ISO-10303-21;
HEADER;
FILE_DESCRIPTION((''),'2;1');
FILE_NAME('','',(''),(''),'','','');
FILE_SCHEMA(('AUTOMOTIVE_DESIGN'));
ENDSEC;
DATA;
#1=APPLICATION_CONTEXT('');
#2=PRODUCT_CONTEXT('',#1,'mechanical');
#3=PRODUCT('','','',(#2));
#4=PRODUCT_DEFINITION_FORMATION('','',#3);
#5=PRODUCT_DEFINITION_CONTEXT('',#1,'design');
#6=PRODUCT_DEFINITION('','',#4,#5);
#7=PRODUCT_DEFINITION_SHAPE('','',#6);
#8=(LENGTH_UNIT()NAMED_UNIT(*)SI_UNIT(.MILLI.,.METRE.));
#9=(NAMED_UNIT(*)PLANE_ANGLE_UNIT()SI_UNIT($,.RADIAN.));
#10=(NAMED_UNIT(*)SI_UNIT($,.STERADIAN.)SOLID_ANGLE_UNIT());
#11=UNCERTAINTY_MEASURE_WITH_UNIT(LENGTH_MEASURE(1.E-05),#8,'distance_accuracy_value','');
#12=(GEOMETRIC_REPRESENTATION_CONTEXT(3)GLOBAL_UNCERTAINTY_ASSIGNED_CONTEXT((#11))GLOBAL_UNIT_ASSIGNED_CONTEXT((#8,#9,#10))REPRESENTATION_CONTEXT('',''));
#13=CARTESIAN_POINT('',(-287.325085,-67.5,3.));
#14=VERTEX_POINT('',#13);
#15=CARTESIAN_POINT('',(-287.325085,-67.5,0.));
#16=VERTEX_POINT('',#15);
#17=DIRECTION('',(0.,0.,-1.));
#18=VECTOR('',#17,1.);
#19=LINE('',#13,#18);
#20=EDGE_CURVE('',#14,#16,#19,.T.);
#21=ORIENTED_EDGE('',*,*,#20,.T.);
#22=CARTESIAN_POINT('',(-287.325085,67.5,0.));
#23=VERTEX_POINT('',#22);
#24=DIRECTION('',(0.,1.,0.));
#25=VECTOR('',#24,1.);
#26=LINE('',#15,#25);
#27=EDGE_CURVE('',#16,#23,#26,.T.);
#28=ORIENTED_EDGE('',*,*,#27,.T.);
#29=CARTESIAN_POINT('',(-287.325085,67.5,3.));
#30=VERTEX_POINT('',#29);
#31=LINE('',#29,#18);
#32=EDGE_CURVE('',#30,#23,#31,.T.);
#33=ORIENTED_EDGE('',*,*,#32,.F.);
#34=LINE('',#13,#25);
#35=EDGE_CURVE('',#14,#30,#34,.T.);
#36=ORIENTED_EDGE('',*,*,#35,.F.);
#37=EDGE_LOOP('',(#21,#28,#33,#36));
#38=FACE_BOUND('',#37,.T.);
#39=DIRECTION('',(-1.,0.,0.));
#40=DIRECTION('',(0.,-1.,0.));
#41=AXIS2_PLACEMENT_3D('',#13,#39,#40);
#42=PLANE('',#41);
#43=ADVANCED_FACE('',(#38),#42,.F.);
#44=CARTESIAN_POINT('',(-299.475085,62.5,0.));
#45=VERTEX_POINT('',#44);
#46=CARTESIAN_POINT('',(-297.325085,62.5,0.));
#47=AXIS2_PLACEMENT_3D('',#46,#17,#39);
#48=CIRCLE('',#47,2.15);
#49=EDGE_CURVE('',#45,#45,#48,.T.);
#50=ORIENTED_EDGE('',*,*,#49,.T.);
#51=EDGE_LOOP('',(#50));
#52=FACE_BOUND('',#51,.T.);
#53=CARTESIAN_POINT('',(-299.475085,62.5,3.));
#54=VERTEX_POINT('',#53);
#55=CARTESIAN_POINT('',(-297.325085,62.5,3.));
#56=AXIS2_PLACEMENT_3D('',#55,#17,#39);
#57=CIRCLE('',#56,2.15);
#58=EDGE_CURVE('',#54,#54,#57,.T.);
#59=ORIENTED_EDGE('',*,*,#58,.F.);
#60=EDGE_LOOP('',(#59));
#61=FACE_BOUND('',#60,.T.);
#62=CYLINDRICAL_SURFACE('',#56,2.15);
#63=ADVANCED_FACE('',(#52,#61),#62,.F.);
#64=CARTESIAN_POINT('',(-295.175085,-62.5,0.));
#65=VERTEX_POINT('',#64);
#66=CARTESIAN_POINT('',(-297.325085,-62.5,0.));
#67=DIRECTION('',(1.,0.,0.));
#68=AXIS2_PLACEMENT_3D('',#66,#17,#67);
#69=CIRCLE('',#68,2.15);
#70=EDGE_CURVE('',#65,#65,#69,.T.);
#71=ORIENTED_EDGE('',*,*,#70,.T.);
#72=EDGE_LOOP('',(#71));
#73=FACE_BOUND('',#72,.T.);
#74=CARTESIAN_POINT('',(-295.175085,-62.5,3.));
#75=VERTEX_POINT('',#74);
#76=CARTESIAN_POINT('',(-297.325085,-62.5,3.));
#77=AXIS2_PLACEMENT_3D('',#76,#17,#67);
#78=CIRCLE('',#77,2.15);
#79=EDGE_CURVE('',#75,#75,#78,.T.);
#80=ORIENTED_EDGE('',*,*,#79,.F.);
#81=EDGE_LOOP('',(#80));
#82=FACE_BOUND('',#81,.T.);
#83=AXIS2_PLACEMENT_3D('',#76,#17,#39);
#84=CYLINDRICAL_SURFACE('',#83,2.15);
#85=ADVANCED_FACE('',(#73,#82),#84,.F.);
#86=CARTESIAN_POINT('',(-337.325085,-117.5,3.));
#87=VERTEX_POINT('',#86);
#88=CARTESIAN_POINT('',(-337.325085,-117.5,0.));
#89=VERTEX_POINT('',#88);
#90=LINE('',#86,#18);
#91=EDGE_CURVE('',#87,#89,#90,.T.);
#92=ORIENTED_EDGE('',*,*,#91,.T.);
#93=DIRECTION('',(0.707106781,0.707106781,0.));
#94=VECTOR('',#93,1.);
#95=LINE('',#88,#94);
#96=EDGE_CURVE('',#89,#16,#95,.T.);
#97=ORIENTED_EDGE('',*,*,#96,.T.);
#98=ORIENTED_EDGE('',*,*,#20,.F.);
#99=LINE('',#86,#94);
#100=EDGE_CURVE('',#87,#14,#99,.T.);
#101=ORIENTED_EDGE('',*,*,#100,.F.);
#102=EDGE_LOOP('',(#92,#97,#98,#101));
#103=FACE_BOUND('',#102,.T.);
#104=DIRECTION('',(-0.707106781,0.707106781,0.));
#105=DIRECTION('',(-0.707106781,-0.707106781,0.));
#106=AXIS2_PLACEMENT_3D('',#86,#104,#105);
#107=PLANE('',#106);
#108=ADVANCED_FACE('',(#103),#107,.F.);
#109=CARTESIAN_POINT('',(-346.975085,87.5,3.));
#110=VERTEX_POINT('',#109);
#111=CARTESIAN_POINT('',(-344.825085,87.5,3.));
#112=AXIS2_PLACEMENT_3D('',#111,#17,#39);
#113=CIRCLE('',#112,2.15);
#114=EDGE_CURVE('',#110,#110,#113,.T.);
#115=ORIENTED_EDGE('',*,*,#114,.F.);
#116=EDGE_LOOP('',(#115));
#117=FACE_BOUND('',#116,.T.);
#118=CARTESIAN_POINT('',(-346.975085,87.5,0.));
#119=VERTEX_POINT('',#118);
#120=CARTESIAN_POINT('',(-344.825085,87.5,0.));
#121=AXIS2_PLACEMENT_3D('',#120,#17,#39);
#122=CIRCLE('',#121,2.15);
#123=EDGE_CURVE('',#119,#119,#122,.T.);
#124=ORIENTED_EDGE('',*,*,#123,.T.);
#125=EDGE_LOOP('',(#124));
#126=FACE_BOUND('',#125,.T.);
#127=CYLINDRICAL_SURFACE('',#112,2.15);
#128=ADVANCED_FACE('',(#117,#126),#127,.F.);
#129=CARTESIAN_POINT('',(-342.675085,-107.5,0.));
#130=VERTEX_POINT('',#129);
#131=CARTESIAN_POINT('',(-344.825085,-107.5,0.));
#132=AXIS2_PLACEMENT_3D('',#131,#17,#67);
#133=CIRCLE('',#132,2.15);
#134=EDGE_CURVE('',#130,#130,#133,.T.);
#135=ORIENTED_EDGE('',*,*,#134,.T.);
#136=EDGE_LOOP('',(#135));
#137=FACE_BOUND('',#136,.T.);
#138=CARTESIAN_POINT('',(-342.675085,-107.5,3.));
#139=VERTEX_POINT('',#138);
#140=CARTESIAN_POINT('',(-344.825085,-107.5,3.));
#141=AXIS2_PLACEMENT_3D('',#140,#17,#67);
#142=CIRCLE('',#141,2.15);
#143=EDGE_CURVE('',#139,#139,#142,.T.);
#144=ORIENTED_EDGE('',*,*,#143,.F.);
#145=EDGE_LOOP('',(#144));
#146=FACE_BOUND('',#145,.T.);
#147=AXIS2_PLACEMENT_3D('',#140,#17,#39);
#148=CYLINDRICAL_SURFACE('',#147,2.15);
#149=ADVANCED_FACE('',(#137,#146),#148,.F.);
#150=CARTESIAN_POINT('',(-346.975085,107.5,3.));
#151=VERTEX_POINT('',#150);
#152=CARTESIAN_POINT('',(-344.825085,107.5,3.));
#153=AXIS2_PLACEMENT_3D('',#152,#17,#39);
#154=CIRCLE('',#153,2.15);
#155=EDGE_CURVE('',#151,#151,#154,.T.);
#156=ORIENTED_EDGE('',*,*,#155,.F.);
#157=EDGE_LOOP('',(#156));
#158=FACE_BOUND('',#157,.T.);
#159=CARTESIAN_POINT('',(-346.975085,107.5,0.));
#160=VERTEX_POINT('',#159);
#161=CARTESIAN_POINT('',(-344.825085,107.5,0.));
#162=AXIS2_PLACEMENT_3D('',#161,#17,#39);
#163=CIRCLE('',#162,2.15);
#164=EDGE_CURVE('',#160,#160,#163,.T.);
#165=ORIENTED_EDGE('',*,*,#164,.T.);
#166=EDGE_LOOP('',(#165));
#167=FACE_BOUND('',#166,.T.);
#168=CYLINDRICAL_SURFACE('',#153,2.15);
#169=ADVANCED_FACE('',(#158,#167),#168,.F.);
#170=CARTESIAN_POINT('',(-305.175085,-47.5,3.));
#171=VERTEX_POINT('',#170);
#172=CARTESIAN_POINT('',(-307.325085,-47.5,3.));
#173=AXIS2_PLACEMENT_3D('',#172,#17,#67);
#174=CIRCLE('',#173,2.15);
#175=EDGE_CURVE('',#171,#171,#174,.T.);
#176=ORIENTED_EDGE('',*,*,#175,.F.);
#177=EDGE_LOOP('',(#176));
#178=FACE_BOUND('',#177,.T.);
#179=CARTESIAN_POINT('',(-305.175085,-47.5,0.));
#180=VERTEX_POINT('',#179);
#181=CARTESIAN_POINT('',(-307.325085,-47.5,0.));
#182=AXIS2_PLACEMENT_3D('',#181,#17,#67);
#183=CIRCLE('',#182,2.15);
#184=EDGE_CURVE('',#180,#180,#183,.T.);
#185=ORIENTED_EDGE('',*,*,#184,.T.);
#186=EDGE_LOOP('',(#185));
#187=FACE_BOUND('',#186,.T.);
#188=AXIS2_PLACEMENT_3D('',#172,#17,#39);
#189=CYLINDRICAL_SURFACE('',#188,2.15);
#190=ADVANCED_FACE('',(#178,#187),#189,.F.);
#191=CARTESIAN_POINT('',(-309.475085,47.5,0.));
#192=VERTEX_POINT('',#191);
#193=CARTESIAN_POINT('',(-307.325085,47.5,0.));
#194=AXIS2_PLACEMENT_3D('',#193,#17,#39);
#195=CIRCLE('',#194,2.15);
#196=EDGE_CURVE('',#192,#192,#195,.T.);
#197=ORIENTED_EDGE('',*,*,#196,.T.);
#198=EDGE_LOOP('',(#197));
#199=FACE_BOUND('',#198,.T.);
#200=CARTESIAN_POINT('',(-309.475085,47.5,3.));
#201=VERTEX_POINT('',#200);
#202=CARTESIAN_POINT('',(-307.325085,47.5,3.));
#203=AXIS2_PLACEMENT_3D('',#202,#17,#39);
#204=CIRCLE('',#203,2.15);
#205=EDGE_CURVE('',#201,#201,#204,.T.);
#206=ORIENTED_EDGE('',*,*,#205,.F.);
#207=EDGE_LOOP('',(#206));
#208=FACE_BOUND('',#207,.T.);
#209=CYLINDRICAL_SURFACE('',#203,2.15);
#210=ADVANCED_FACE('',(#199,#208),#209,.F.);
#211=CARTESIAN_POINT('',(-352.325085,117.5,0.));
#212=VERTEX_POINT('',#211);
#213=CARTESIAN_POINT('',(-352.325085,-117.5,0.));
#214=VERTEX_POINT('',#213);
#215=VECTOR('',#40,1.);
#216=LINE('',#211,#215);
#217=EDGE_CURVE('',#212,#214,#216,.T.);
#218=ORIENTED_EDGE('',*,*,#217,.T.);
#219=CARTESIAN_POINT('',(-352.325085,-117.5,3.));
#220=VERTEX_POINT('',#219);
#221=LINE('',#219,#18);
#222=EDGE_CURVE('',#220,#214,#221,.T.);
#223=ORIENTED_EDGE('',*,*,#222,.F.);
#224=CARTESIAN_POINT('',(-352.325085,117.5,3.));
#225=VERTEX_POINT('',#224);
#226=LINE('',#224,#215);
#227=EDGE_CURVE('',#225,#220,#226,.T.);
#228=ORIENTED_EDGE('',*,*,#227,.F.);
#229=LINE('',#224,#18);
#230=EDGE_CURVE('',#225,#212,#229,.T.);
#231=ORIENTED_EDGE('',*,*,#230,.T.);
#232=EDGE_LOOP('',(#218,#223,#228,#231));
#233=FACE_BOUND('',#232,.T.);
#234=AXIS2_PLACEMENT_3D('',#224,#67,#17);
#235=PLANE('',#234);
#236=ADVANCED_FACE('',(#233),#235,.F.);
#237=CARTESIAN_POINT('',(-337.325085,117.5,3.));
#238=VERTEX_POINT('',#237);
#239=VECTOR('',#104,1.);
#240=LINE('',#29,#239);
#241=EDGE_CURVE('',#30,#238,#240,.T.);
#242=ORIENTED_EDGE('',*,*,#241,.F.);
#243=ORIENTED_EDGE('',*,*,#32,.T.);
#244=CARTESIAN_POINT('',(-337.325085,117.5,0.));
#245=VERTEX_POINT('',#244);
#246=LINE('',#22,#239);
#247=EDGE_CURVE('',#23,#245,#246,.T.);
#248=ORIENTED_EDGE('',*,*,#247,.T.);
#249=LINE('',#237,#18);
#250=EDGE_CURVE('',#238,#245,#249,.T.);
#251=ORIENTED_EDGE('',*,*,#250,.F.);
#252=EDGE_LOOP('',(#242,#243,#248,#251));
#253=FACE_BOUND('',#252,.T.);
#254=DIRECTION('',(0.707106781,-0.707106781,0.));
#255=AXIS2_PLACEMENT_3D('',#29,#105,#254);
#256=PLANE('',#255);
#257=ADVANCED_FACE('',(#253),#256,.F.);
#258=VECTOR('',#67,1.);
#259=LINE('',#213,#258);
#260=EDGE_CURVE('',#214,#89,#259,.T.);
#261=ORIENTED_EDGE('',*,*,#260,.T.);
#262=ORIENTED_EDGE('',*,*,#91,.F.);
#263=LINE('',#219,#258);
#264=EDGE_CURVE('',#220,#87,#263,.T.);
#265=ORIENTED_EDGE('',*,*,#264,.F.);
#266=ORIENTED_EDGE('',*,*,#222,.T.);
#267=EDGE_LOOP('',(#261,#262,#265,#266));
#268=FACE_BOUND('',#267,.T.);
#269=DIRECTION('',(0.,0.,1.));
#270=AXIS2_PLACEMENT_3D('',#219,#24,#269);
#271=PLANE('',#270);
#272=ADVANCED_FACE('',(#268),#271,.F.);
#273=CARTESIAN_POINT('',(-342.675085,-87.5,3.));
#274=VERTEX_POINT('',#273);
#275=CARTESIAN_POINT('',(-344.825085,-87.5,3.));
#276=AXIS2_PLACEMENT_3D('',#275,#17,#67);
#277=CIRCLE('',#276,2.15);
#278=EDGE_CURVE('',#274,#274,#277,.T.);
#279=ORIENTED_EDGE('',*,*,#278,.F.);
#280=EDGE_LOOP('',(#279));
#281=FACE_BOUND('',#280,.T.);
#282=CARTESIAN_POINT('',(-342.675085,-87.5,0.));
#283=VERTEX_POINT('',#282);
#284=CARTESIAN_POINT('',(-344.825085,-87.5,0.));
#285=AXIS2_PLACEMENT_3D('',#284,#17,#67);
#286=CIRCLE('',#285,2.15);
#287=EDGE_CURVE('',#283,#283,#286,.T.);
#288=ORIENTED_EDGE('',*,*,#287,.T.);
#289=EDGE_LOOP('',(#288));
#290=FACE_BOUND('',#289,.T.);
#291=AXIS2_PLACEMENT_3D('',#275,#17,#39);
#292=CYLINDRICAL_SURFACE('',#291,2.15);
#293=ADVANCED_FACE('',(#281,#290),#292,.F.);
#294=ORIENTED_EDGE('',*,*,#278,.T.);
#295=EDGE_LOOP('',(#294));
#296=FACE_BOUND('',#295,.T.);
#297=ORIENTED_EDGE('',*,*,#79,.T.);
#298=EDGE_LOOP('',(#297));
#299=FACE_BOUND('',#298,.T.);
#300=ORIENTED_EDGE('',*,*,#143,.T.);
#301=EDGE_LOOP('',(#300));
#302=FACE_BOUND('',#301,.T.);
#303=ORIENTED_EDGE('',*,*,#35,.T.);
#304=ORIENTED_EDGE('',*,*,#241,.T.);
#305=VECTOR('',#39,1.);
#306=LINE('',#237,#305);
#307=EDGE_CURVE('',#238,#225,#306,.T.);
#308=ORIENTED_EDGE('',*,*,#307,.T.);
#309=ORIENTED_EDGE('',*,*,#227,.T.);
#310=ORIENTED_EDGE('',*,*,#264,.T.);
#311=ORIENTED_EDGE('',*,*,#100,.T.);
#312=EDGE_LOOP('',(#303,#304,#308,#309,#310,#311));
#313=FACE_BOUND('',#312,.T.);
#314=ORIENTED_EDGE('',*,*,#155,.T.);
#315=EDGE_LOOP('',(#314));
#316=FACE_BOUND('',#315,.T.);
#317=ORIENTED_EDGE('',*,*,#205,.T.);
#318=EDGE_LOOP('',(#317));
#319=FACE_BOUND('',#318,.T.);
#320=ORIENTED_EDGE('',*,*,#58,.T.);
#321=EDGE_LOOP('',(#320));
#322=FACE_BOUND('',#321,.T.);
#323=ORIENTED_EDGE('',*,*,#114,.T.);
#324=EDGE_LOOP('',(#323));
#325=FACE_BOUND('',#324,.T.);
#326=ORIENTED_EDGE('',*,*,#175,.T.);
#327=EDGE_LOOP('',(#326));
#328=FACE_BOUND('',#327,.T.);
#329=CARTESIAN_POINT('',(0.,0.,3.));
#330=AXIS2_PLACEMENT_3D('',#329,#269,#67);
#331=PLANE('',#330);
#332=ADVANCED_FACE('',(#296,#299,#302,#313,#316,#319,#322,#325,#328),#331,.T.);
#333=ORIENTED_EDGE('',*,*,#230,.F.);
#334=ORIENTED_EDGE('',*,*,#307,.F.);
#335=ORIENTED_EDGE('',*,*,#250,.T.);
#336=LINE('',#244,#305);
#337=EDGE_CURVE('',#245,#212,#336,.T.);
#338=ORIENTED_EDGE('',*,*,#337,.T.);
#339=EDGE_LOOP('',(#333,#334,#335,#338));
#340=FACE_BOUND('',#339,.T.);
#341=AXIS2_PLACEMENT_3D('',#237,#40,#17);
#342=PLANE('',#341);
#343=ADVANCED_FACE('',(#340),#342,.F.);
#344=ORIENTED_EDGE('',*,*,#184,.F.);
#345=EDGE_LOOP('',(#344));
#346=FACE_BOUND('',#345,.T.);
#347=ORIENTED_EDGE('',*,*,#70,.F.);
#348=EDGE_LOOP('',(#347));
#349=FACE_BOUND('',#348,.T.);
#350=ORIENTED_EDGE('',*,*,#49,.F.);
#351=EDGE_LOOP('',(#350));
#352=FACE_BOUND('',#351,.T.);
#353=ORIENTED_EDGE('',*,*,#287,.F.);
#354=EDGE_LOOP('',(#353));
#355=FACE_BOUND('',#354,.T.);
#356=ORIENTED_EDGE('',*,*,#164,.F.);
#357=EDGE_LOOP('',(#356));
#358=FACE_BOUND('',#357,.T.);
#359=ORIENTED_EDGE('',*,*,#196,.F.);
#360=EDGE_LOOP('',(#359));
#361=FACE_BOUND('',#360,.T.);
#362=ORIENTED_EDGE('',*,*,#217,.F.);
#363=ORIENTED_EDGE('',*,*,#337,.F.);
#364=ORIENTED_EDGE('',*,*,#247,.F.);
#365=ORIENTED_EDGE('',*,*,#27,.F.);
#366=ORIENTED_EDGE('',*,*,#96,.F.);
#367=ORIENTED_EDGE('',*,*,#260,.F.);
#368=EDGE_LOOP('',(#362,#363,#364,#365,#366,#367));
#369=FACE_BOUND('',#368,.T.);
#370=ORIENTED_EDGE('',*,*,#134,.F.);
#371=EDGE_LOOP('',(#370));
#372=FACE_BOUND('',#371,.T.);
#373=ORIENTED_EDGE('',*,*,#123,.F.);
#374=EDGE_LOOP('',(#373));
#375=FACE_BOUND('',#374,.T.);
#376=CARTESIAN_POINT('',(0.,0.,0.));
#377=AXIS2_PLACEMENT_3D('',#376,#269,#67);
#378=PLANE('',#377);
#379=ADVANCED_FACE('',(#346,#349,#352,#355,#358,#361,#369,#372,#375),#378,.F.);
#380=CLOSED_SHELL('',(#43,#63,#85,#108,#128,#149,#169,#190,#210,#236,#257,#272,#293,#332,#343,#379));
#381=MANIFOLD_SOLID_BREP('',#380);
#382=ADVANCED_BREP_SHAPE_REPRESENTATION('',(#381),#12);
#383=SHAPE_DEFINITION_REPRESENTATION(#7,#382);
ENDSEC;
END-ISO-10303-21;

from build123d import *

# Parameters (mm, degrees)
BOSS_EXTRUDE1_DEPTH = 3
SKETCH2_R           = 2.15
CUT_EXTRUDE1_DEPTH  = 3


with BuildPart() as part:
    # Sketch1 → Boss-Extrude1 (new body)
    with BuildSketch(Plane.XY):
        Polygon((-352.325085215, 117.5), (-352.325085215, -117.5), (-337.325085215, -117.5), (-287.325085215, -67.5), (-287.325085215, 67.5), (-337.325085215, 117.5), align=None)
    extrude(amount=BOSS_EXTRUDE1_DEPTH)

    # Sketch2 → Cut-Extrude1 (cut)
    with BuildSketch(Plane(origin=(0, 0, 0), x_dir=(-1, 0, 0), z_dir=(0, 0, -1))):
        with Locations((344.825085215, 107.5)):
            Circle(SKETCH2_R)
        with Locations((344.825085215, 87.5)):
            Circle(SKETCH2_R)
        with Locations(Location((344.825085215, -87.5, 0), (0, 0, 180))):
            Circle(SKETCH2_R)
        with Locations(Location((344.825085215, -107.5, 0), (0, 0, 180))):
            Circle(SKETCH2_R)
        with Locations((297.325085215, 62.5)):
            Circle(SKETCH2_R)
        with Locations((307.325085215, 47.5)):
            Circle(SKETCH2_R)
        with Locations(Location((307.325085215, -47.5, 0), (0, 0, 180))):
            Circle(SKETCH2_R)
        with Locations(Location((297.325085215, -62.5, 0), (0, 0, 180))):
            Circle(SKETCH2_R)
    extrude(amount=-CUT_EXTRUDE1_DEPTH, mode=Mode.SUBTRACT)


solid = part.part
